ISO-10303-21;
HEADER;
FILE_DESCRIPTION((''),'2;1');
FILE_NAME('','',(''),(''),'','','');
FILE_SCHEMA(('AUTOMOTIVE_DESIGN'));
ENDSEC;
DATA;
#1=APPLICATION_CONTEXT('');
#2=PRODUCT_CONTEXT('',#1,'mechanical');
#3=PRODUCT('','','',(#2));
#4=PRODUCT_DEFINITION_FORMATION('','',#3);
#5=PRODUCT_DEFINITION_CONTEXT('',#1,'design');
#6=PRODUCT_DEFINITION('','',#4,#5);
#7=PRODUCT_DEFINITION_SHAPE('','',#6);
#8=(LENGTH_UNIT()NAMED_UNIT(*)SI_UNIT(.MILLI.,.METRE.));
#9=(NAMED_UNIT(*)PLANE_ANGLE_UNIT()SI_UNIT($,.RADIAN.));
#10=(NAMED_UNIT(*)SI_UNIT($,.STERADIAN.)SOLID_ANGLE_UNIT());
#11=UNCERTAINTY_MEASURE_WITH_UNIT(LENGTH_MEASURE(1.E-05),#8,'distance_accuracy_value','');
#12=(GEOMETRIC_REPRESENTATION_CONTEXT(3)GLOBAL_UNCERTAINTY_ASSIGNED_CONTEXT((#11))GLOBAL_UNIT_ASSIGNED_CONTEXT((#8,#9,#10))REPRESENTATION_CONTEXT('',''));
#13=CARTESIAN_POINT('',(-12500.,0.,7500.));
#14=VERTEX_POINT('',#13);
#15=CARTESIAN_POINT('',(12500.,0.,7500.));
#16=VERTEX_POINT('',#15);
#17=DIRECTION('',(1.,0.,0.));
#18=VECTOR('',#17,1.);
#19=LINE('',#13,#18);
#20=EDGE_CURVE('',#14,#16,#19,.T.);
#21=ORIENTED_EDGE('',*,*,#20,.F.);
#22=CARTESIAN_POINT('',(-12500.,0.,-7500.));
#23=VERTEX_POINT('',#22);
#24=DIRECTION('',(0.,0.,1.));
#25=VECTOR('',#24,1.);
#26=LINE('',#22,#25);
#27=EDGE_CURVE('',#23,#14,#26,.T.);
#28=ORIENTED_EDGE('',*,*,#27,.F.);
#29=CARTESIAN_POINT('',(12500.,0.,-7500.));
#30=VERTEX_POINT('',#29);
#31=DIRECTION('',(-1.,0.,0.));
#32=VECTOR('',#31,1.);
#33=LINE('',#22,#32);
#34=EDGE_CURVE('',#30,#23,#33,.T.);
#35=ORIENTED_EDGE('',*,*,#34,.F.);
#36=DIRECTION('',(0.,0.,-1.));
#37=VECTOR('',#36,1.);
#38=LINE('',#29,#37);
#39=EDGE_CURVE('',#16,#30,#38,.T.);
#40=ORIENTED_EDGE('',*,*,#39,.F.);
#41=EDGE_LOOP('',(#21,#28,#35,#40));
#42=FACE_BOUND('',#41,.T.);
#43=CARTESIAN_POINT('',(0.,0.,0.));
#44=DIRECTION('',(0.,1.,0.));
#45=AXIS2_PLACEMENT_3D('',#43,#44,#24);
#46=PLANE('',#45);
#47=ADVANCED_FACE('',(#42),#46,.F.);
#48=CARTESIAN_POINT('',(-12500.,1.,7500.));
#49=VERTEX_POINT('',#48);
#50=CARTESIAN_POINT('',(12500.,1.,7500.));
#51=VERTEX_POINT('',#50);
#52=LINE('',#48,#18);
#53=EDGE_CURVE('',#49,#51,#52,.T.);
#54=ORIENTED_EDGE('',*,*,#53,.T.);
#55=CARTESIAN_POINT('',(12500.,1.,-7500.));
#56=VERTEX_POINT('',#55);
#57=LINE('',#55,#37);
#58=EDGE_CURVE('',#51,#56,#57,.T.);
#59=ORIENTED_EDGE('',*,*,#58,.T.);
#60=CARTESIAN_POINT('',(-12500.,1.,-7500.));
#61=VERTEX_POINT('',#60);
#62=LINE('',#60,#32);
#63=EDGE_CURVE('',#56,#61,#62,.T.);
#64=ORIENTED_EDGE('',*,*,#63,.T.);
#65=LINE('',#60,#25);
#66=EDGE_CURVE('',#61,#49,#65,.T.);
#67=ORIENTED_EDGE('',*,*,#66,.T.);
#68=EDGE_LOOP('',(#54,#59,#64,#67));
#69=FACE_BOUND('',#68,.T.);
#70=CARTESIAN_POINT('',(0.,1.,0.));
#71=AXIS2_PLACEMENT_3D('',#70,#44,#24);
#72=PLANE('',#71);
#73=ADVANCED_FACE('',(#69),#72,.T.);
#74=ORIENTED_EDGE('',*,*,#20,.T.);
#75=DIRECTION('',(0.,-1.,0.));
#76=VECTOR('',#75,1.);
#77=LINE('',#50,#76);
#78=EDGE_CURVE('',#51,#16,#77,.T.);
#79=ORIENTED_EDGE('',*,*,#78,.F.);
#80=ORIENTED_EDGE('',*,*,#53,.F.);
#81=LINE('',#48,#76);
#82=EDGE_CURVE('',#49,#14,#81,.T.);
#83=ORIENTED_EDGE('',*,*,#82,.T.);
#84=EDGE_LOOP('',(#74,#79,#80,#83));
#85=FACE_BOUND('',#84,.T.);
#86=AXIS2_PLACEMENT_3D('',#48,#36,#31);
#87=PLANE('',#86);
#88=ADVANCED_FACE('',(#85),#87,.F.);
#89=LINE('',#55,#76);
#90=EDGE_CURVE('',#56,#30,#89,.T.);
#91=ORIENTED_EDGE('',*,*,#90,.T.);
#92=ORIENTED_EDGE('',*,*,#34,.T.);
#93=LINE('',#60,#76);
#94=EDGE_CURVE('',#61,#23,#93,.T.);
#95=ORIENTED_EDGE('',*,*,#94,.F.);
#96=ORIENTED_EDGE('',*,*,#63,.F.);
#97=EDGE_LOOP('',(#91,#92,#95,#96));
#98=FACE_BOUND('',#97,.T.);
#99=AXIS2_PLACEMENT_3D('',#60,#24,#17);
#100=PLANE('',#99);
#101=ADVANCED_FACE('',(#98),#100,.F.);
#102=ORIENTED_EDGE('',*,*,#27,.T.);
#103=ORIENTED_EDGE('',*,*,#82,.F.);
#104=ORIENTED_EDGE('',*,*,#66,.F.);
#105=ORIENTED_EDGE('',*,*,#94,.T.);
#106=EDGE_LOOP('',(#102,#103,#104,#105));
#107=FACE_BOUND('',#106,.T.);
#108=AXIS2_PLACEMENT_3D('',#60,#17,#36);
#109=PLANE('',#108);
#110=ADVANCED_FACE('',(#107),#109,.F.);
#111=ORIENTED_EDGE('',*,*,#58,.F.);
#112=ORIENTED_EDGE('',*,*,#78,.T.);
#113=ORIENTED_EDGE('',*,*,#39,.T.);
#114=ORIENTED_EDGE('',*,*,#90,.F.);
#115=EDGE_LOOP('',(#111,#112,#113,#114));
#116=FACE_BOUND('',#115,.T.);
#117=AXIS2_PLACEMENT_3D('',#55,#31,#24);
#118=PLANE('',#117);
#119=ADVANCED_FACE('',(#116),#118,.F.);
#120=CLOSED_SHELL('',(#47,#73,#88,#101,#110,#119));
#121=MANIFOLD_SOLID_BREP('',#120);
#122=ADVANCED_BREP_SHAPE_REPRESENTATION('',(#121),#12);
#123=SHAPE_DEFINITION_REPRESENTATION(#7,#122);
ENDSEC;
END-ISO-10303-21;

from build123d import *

# Parameters (mm, degrees)
ESQUISSE1_W        = 25000
ESQUISSE1_H        = 15000
BOSS_EXTRU_1_DEPTH = 1


with BuildPart() as part:
    # Esquisse1 → Boss.-Extru.1 (new body)
    with BuildSketch(Plane(origin=(0, 0, 0), x_dir=(1, 0, 0), z_dir=(0, 1, 0))):
        Rectangle(ESQUISSE1_W, ESQUISSE1_H)
    extrude(amount=BOSS_EXTRU_1_DEPTH)


solid = part.part
